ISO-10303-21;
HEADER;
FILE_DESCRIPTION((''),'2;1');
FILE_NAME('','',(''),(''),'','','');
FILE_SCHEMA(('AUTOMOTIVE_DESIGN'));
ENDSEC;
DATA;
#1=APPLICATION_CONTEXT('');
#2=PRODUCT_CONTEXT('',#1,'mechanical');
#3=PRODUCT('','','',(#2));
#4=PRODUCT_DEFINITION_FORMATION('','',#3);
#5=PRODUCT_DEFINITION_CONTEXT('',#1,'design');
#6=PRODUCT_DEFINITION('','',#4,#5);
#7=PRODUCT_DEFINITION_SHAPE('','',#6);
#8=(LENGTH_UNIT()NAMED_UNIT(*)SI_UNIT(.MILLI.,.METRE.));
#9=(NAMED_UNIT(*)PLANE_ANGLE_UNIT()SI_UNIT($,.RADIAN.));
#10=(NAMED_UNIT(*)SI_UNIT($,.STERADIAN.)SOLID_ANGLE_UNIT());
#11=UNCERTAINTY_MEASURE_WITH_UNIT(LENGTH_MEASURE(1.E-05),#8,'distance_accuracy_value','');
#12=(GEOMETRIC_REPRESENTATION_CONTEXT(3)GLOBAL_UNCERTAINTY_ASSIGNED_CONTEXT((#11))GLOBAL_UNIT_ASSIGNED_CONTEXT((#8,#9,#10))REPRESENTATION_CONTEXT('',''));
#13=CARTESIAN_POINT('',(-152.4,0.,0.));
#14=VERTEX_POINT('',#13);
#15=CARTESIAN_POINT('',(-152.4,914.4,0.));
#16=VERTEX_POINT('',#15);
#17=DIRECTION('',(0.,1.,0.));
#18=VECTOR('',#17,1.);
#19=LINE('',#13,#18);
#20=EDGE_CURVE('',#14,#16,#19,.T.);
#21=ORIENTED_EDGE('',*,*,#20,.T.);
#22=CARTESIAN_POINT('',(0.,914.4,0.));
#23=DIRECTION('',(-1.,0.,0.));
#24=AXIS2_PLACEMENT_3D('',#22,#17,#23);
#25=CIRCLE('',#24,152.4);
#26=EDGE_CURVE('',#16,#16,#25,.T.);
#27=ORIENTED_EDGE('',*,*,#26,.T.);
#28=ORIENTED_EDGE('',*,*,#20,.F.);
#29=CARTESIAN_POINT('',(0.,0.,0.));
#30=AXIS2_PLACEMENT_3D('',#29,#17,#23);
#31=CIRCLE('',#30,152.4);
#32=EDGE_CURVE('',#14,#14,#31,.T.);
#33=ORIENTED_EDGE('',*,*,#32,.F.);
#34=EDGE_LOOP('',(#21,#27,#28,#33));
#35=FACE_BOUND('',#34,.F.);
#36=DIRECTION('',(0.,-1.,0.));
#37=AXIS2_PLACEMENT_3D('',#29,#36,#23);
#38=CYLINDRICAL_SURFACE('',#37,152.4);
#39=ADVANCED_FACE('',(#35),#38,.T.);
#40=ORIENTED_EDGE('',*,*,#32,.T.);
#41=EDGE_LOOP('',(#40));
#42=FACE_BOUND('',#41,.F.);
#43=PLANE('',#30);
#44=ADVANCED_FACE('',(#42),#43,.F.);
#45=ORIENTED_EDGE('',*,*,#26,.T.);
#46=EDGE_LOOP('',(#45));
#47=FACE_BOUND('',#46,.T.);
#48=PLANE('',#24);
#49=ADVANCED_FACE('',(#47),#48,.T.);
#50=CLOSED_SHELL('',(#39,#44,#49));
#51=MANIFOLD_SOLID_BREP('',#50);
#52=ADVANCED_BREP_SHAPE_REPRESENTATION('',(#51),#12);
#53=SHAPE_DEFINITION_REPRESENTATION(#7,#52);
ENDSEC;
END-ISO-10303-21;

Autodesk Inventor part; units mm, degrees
ref_plane "YZ Plane" through (0, 0, 0) normal (1, 0, 0) x (0, 1, 0)
ref_plane "XZ Plane" through (0, 0, 0) normal (0, 1, 0) x (-1, 0, 0)
ref_plane "XY Plane" through (0, 0, 0) normal (0, 0, 1) x (1, 0, 0)
sketch "Sketch1" plane through (0, 0, 0) normal (0, 1, 0) x (-1, 0, 0)
  circle A0 centre (0, 0) radius 152.4
  dimension "d0" = 304.8
extrude "Extrusion1" add sketch "Sketch1" along normal blind 914.4
properties part number "SailPost-ver1-1111-2021"
